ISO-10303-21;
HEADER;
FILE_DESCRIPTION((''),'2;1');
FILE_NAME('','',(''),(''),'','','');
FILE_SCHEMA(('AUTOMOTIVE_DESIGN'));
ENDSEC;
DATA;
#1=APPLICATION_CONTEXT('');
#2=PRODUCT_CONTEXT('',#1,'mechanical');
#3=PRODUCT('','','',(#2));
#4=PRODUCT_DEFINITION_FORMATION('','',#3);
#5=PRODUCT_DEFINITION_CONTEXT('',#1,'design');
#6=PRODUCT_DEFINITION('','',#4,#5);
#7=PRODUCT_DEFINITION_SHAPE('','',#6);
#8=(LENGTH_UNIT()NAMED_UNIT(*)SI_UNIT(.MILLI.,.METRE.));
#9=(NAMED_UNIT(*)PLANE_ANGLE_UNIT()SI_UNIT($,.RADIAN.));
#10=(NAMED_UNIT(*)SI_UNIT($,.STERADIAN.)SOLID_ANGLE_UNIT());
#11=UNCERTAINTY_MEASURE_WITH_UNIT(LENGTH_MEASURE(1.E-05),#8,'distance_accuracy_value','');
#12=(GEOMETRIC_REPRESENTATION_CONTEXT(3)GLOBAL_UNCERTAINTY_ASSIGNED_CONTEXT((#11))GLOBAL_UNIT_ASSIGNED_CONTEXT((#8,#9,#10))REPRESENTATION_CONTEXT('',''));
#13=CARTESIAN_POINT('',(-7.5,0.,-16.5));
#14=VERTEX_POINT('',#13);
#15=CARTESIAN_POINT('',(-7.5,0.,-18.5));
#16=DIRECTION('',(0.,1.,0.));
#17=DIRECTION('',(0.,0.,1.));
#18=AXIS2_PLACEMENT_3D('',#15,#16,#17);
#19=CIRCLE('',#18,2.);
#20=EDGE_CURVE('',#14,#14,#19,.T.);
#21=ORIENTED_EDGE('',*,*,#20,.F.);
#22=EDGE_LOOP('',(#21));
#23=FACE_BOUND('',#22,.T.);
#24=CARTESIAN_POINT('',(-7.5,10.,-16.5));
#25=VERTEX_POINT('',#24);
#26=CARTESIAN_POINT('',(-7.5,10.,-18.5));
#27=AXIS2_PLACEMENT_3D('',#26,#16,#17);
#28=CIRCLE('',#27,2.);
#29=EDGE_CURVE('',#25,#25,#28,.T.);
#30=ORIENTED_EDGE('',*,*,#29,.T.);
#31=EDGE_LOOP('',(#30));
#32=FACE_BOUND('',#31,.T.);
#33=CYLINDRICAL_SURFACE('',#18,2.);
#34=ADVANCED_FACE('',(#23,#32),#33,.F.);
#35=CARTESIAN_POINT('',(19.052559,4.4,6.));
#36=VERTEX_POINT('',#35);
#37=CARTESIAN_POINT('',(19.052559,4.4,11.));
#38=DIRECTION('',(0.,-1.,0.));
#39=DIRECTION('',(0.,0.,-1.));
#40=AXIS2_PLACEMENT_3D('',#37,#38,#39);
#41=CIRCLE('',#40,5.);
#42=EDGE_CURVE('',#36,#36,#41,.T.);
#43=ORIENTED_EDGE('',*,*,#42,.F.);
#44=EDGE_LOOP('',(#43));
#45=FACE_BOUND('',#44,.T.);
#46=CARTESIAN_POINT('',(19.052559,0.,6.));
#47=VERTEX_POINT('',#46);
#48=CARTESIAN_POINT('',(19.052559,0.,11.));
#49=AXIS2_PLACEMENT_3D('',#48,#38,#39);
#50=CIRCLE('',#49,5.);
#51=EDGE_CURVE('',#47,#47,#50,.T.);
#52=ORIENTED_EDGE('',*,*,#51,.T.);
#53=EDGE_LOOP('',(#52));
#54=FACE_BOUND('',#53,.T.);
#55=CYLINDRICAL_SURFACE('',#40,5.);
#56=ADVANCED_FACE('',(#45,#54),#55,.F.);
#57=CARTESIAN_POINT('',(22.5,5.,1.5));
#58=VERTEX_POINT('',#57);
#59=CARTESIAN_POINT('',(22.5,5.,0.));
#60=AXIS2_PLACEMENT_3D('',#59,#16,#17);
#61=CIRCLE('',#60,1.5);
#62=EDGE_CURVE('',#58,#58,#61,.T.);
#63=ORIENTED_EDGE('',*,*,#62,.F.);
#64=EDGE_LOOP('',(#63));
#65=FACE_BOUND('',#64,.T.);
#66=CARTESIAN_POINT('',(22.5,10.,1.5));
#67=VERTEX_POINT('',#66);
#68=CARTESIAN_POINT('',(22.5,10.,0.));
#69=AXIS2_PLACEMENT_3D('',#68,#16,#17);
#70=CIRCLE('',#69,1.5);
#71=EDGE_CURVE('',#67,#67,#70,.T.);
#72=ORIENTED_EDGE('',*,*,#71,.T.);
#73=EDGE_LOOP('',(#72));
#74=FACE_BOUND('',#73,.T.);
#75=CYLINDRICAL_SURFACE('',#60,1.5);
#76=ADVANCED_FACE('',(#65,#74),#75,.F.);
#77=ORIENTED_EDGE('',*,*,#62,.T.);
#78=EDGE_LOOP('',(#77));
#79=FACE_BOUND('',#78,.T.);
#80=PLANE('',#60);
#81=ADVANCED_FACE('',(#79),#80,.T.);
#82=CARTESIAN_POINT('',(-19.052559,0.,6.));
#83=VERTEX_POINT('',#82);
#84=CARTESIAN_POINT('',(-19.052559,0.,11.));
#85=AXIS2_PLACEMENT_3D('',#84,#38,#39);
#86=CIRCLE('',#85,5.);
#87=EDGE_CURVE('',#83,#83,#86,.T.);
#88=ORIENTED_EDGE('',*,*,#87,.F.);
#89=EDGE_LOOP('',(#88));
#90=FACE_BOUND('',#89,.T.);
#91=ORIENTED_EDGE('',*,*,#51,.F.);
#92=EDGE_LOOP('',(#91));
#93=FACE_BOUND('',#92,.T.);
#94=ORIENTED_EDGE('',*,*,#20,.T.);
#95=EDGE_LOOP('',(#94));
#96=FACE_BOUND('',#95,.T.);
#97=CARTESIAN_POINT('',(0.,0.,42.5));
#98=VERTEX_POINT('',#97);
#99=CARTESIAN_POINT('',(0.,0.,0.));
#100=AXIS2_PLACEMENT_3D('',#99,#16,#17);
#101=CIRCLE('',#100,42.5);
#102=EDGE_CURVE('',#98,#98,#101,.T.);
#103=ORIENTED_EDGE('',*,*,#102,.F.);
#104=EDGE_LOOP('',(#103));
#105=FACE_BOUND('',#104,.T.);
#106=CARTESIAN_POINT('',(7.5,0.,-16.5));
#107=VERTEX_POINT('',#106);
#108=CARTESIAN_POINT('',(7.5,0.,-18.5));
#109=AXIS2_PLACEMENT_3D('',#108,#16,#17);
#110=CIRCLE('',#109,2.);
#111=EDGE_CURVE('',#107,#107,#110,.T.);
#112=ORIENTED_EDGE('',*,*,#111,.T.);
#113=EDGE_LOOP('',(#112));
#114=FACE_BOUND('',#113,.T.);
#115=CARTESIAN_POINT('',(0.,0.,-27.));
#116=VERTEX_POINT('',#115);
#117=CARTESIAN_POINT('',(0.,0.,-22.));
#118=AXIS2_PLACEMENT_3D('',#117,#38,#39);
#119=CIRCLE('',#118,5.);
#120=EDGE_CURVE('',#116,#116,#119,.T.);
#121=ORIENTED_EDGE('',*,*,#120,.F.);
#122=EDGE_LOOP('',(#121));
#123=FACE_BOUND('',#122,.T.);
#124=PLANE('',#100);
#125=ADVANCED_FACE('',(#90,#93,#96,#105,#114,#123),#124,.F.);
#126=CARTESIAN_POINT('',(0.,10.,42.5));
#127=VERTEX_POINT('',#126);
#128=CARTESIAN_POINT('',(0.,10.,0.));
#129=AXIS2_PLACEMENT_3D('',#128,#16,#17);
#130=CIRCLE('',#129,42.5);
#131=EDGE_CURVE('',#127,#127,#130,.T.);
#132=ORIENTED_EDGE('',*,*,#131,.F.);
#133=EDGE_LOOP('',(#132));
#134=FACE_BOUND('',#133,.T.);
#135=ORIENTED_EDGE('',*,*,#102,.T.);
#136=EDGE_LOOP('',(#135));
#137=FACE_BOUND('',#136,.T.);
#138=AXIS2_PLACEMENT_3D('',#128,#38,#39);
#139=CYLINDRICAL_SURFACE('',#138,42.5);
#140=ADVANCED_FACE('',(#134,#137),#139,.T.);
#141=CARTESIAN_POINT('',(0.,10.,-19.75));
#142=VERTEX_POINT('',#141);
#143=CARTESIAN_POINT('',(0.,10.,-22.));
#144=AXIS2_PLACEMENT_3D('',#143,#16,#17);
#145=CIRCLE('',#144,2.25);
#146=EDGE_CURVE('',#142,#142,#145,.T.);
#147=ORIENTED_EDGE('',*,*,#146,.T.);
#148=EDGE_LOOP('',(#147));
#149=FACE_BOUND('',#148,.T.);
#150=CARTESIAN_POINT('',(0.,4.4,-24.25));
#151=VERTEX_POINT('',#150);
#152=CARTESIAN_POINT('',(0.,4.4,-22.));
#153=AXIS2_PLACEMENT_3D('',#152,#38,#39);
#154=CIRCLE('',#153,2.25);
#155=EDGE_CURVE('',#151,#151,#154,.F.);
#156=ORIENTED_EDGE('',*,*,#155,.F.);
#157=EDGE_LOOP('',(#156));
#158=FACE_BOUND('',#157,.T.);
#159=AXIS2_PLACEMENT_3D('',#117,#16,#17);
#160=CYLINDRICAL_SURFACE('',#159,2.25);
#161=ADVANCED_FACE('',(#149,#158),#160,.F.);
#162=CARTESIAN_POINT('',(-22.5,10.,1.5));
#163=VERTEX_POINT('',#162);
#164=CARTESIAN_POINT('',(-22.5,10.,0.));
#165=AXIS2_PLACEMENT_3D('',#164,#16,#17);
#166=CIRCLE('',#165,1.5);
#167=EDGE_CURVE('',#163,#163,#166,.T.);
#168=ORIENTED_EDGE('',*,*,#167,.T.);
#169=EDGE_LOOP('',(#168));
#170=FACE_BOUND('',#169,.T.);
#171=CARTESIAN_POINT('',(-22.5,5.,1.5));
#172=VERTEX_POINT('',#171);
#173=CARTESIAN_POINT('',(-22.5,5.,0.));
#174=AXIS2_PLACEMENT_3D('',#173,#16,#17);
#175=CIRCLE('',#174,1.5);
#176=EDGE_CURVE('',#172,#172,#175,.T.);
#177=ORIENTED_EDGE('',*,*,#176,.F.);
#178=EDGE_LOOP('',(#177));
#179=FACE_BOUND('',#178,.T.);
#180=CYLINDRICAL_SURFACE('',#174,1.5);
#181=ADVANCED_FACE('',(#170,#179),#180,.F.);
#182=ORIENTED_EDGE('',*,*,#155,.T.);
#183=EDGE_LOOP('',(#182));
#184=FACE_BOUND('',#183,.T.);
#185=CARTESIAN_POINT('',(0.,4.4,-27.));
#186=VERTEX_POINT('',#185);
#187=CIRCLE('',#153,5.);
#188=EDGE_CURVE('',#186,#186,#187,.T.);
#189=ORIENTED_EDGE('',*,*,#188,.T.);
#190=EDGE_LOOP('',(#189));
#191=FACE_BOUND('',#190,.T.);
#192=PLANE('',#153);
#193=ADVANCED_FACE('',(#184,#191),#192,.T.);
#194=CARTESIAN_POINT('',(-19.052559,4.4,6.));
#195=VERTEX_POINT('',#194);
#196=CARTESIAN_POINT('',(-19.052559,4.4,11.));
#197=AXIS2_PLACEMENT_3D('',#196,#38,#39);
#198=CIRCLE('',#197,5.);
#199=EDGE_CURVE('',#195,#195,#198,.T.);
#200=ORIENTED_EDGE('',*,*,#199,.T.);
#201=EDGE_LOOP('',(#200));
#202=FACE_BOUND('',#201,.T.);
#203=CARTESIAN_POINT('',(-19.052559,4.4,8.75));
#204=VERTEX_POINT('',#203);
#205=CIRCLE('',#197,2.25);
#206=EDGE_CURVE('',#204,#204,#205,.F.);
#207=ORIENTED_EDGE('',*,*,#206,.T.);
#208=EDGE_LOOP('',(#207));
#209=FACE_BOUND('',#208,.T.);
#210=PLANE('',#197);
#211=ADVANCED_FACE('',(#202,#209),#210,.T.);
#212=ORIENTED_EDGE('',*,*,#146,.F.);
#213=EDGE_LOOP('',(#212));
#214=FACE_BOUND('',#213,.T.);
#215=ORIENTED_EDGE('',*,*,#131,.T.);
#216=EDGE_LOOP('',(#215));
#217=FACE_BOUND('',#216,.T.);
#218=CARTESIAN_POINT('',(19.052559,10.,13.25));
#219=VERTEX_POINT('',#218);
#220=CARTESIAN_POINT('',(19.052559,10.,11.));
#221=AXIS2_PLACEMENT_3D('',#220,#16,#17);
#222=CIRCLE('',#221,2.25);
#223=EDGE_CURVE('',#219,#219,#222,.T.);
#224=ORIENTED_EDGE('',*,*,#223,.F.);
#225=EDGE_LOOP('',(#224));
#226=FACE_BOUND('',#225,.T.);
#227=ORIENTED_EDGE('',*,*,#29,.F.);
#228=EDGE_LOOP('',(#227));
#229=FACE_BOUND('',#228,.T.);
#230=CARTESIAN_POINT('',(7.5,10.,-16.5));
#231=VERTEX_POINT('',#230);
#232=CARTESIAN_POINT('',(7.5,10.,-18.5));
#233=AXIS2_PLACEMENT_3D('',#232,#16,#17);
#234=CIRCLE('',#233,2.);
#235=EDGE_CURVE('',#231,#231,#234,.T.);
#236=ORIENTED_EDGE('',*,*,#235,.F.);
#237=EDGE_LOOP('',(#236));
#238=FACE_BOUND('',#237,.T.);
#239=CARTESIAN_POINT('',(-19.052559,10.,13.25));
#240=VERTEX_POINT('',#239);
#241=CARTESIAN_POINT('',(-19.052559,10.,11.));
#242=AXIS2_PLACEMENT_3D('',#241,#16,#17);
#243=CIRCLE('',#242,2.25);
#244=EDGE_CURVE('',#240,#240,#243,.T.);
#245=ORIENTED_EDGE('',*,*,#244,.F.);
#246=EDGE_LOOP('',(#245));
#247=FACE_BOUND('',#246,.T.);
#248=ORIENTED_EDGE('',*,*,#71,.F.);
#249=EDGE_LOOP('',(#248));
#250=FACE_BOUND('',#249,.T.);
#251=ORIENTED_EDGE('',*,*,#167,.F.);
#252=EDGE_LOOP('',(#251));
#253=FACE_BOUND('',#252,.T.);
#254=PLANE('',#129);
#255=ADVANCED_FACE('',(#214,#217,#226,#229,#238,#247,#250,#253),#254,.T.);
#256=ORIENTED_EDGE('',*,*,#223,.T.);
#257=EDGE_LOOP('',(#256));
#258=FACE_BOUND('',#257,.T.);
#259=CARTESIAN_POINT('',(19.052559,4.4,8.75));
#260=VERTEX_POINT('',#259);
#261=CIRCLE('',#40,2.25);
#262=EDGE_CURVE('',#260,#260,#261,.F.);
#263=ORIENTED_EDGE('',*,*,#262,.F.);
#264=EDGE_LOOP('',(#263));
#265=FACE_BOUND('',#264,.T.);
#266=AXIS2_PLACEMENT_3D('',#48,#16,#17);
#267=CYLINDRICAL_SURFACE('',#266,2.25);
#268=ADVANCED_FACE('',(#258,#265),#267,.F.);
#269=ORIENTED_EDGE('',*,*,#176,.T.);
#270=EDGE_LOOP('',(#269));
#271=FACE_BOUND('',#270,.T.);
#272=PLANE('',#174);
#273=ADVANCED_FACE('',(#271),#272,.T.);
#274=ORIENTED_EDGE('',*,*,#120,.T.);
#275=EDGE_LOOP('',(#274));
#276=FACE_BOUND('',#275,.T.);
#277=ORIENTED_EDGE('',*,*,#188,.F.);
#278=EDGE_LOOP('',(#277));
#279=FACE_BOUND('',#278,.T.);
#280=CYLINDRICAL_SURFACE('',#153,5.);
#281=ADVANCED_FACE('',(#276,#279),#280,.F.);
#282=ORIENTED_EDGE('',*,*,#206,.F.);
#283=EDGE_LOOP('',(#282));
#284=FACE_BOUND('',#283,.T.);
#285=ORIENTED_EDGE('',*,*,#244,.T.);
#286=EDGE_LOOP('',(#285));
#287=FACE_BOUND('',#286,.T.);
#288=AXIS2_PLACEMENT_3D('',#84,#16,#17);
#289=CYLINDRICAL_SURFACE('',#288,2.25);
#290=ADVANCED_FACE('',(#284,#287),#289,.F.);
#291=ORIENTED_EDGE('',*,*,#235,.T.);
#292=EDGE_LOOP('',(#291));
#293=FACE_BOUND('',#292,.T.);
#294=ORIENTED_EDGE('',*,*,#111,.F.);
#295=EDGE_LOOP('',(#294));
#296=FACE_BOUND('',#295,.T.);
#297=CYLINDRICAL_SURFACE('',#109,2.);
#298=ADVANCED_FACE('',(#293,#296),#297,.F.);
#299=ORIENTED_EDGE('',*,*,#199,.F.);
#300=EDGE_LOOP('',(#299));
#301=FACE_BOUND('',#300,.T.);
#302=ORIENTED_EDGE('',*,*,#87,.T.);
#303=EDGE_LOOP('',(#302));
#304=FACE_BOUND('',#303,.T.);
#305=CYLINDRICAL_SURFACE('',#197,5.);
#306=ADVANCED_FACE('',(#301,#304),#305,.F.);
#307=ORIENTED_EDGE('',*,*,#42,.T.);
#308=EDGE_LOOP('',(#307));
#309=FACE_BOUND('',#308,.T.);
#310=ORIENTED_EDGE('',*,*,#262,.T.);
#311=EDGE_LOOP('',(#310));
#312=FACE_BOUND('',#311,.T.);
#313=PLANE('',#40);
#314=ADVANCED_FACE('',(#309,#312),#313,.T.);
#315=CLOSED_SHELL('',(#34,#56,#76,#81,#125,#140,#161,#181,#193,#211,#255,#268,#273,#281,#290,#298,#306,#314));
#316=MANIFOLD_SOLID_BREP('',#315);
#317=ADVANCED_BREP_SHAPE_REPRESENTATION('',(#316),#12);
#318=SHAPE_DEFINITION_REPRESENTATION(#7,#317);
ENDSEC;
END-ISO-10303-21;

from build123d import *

# Parameters (mm, degrees)
SKETCH1_R           = 42.5
BOSS_EXTRUDE1_DEPTH = 10
SKETCH2_R           = 1.5
CUT_EXTRUDE1_DEPTH  = 5
SKETCH3_R           = 2.25
CUT_EXTRUDE2_DEPTH  = 11
SKETCH4_R           = 5
CUT_EXTRUDE3_DEPTH  = 4.4
SKETCH5_R           = 2
CUT_EXTRUDE4_DEPTH  = 11


with BuildPart() as part:
    # Sketch1 → Boss-Extrude1 (new body)
    with BuildSketch(Plane(origin=(0, 0, 0), x_dir=(1, 0, 0), z_dir=(0, 1, 0))):
        Circle(SKETCH1_R)
    extrude(amount=BOSS_EXTRUDE1_DEPTH)

    # Sketch2 → Cut-Extrude1 (cut)
    with BuildSketch(Plane(origin=(0, 10, 0), x_dir=(1, 0, 0), z_dir=(0, 1, 0))):
        with Locations((-22.5, 0)):
            Circle(SKETCH2_R)
        with Locations((22.5, 0)):
            Circle(SKETCH2_R)
    extrude(amount=-CUT_EXTRUDE1_DEPTH, mode=Mode.SUBTRACT)

    # Sketch3 → Cut-Extrude2 (cut, through all)
    with BuildSketch(Plane(origin=(0, 10, 0), x_dir=(1, 0, 0), z_dir=(0, 1, 0))):
        with Locations((0, 22)):
            Circle(SKETCH3_R)
        with Locations((19.052558883, -11)):
            Circle(SKETCH3_R)
        with Locations((-19.052558883, -11)):
            Circle(SKETCH3_R)
    extrude(amount=-CUT_EXTRUDE2_DEPTH, mode=Mode.SUBTRACT)

    # Sketch4 → Cut-Extrude3 (cut)
    with BuildSketch(Plane.XZ):
        with Locations((0, -22)):
            Circle(SKETCH4_R)
        with Locations((19.052558883, 11)):
            Circle(SKETCH4_R)
        with Locations((-19.052558883, 11)):
            Circle(SKETCH4_R)
    extrude(amount=-CUT_EXTRUDE3_DEPTH, mode=Mode.SUBTRACT)

    # Sketch5 → Cut-Extrude4 (cut, through all)
    with BuildSketch(Plane(origin=(0, 10, 0), x_dir=(1, 0, 0), z_dir=(0, 1, 0))):
        with Locations((-7.5, 18.5)):
            Circle(SKETCH5_R)
        with Locations((7.5, 18.5)):
            Circle(SKETCH5_R)
    extrude(amount=-CUT_EXTRUDE4_DEPTH, mode=Mode.SUBTRACT)


solid = part.part
